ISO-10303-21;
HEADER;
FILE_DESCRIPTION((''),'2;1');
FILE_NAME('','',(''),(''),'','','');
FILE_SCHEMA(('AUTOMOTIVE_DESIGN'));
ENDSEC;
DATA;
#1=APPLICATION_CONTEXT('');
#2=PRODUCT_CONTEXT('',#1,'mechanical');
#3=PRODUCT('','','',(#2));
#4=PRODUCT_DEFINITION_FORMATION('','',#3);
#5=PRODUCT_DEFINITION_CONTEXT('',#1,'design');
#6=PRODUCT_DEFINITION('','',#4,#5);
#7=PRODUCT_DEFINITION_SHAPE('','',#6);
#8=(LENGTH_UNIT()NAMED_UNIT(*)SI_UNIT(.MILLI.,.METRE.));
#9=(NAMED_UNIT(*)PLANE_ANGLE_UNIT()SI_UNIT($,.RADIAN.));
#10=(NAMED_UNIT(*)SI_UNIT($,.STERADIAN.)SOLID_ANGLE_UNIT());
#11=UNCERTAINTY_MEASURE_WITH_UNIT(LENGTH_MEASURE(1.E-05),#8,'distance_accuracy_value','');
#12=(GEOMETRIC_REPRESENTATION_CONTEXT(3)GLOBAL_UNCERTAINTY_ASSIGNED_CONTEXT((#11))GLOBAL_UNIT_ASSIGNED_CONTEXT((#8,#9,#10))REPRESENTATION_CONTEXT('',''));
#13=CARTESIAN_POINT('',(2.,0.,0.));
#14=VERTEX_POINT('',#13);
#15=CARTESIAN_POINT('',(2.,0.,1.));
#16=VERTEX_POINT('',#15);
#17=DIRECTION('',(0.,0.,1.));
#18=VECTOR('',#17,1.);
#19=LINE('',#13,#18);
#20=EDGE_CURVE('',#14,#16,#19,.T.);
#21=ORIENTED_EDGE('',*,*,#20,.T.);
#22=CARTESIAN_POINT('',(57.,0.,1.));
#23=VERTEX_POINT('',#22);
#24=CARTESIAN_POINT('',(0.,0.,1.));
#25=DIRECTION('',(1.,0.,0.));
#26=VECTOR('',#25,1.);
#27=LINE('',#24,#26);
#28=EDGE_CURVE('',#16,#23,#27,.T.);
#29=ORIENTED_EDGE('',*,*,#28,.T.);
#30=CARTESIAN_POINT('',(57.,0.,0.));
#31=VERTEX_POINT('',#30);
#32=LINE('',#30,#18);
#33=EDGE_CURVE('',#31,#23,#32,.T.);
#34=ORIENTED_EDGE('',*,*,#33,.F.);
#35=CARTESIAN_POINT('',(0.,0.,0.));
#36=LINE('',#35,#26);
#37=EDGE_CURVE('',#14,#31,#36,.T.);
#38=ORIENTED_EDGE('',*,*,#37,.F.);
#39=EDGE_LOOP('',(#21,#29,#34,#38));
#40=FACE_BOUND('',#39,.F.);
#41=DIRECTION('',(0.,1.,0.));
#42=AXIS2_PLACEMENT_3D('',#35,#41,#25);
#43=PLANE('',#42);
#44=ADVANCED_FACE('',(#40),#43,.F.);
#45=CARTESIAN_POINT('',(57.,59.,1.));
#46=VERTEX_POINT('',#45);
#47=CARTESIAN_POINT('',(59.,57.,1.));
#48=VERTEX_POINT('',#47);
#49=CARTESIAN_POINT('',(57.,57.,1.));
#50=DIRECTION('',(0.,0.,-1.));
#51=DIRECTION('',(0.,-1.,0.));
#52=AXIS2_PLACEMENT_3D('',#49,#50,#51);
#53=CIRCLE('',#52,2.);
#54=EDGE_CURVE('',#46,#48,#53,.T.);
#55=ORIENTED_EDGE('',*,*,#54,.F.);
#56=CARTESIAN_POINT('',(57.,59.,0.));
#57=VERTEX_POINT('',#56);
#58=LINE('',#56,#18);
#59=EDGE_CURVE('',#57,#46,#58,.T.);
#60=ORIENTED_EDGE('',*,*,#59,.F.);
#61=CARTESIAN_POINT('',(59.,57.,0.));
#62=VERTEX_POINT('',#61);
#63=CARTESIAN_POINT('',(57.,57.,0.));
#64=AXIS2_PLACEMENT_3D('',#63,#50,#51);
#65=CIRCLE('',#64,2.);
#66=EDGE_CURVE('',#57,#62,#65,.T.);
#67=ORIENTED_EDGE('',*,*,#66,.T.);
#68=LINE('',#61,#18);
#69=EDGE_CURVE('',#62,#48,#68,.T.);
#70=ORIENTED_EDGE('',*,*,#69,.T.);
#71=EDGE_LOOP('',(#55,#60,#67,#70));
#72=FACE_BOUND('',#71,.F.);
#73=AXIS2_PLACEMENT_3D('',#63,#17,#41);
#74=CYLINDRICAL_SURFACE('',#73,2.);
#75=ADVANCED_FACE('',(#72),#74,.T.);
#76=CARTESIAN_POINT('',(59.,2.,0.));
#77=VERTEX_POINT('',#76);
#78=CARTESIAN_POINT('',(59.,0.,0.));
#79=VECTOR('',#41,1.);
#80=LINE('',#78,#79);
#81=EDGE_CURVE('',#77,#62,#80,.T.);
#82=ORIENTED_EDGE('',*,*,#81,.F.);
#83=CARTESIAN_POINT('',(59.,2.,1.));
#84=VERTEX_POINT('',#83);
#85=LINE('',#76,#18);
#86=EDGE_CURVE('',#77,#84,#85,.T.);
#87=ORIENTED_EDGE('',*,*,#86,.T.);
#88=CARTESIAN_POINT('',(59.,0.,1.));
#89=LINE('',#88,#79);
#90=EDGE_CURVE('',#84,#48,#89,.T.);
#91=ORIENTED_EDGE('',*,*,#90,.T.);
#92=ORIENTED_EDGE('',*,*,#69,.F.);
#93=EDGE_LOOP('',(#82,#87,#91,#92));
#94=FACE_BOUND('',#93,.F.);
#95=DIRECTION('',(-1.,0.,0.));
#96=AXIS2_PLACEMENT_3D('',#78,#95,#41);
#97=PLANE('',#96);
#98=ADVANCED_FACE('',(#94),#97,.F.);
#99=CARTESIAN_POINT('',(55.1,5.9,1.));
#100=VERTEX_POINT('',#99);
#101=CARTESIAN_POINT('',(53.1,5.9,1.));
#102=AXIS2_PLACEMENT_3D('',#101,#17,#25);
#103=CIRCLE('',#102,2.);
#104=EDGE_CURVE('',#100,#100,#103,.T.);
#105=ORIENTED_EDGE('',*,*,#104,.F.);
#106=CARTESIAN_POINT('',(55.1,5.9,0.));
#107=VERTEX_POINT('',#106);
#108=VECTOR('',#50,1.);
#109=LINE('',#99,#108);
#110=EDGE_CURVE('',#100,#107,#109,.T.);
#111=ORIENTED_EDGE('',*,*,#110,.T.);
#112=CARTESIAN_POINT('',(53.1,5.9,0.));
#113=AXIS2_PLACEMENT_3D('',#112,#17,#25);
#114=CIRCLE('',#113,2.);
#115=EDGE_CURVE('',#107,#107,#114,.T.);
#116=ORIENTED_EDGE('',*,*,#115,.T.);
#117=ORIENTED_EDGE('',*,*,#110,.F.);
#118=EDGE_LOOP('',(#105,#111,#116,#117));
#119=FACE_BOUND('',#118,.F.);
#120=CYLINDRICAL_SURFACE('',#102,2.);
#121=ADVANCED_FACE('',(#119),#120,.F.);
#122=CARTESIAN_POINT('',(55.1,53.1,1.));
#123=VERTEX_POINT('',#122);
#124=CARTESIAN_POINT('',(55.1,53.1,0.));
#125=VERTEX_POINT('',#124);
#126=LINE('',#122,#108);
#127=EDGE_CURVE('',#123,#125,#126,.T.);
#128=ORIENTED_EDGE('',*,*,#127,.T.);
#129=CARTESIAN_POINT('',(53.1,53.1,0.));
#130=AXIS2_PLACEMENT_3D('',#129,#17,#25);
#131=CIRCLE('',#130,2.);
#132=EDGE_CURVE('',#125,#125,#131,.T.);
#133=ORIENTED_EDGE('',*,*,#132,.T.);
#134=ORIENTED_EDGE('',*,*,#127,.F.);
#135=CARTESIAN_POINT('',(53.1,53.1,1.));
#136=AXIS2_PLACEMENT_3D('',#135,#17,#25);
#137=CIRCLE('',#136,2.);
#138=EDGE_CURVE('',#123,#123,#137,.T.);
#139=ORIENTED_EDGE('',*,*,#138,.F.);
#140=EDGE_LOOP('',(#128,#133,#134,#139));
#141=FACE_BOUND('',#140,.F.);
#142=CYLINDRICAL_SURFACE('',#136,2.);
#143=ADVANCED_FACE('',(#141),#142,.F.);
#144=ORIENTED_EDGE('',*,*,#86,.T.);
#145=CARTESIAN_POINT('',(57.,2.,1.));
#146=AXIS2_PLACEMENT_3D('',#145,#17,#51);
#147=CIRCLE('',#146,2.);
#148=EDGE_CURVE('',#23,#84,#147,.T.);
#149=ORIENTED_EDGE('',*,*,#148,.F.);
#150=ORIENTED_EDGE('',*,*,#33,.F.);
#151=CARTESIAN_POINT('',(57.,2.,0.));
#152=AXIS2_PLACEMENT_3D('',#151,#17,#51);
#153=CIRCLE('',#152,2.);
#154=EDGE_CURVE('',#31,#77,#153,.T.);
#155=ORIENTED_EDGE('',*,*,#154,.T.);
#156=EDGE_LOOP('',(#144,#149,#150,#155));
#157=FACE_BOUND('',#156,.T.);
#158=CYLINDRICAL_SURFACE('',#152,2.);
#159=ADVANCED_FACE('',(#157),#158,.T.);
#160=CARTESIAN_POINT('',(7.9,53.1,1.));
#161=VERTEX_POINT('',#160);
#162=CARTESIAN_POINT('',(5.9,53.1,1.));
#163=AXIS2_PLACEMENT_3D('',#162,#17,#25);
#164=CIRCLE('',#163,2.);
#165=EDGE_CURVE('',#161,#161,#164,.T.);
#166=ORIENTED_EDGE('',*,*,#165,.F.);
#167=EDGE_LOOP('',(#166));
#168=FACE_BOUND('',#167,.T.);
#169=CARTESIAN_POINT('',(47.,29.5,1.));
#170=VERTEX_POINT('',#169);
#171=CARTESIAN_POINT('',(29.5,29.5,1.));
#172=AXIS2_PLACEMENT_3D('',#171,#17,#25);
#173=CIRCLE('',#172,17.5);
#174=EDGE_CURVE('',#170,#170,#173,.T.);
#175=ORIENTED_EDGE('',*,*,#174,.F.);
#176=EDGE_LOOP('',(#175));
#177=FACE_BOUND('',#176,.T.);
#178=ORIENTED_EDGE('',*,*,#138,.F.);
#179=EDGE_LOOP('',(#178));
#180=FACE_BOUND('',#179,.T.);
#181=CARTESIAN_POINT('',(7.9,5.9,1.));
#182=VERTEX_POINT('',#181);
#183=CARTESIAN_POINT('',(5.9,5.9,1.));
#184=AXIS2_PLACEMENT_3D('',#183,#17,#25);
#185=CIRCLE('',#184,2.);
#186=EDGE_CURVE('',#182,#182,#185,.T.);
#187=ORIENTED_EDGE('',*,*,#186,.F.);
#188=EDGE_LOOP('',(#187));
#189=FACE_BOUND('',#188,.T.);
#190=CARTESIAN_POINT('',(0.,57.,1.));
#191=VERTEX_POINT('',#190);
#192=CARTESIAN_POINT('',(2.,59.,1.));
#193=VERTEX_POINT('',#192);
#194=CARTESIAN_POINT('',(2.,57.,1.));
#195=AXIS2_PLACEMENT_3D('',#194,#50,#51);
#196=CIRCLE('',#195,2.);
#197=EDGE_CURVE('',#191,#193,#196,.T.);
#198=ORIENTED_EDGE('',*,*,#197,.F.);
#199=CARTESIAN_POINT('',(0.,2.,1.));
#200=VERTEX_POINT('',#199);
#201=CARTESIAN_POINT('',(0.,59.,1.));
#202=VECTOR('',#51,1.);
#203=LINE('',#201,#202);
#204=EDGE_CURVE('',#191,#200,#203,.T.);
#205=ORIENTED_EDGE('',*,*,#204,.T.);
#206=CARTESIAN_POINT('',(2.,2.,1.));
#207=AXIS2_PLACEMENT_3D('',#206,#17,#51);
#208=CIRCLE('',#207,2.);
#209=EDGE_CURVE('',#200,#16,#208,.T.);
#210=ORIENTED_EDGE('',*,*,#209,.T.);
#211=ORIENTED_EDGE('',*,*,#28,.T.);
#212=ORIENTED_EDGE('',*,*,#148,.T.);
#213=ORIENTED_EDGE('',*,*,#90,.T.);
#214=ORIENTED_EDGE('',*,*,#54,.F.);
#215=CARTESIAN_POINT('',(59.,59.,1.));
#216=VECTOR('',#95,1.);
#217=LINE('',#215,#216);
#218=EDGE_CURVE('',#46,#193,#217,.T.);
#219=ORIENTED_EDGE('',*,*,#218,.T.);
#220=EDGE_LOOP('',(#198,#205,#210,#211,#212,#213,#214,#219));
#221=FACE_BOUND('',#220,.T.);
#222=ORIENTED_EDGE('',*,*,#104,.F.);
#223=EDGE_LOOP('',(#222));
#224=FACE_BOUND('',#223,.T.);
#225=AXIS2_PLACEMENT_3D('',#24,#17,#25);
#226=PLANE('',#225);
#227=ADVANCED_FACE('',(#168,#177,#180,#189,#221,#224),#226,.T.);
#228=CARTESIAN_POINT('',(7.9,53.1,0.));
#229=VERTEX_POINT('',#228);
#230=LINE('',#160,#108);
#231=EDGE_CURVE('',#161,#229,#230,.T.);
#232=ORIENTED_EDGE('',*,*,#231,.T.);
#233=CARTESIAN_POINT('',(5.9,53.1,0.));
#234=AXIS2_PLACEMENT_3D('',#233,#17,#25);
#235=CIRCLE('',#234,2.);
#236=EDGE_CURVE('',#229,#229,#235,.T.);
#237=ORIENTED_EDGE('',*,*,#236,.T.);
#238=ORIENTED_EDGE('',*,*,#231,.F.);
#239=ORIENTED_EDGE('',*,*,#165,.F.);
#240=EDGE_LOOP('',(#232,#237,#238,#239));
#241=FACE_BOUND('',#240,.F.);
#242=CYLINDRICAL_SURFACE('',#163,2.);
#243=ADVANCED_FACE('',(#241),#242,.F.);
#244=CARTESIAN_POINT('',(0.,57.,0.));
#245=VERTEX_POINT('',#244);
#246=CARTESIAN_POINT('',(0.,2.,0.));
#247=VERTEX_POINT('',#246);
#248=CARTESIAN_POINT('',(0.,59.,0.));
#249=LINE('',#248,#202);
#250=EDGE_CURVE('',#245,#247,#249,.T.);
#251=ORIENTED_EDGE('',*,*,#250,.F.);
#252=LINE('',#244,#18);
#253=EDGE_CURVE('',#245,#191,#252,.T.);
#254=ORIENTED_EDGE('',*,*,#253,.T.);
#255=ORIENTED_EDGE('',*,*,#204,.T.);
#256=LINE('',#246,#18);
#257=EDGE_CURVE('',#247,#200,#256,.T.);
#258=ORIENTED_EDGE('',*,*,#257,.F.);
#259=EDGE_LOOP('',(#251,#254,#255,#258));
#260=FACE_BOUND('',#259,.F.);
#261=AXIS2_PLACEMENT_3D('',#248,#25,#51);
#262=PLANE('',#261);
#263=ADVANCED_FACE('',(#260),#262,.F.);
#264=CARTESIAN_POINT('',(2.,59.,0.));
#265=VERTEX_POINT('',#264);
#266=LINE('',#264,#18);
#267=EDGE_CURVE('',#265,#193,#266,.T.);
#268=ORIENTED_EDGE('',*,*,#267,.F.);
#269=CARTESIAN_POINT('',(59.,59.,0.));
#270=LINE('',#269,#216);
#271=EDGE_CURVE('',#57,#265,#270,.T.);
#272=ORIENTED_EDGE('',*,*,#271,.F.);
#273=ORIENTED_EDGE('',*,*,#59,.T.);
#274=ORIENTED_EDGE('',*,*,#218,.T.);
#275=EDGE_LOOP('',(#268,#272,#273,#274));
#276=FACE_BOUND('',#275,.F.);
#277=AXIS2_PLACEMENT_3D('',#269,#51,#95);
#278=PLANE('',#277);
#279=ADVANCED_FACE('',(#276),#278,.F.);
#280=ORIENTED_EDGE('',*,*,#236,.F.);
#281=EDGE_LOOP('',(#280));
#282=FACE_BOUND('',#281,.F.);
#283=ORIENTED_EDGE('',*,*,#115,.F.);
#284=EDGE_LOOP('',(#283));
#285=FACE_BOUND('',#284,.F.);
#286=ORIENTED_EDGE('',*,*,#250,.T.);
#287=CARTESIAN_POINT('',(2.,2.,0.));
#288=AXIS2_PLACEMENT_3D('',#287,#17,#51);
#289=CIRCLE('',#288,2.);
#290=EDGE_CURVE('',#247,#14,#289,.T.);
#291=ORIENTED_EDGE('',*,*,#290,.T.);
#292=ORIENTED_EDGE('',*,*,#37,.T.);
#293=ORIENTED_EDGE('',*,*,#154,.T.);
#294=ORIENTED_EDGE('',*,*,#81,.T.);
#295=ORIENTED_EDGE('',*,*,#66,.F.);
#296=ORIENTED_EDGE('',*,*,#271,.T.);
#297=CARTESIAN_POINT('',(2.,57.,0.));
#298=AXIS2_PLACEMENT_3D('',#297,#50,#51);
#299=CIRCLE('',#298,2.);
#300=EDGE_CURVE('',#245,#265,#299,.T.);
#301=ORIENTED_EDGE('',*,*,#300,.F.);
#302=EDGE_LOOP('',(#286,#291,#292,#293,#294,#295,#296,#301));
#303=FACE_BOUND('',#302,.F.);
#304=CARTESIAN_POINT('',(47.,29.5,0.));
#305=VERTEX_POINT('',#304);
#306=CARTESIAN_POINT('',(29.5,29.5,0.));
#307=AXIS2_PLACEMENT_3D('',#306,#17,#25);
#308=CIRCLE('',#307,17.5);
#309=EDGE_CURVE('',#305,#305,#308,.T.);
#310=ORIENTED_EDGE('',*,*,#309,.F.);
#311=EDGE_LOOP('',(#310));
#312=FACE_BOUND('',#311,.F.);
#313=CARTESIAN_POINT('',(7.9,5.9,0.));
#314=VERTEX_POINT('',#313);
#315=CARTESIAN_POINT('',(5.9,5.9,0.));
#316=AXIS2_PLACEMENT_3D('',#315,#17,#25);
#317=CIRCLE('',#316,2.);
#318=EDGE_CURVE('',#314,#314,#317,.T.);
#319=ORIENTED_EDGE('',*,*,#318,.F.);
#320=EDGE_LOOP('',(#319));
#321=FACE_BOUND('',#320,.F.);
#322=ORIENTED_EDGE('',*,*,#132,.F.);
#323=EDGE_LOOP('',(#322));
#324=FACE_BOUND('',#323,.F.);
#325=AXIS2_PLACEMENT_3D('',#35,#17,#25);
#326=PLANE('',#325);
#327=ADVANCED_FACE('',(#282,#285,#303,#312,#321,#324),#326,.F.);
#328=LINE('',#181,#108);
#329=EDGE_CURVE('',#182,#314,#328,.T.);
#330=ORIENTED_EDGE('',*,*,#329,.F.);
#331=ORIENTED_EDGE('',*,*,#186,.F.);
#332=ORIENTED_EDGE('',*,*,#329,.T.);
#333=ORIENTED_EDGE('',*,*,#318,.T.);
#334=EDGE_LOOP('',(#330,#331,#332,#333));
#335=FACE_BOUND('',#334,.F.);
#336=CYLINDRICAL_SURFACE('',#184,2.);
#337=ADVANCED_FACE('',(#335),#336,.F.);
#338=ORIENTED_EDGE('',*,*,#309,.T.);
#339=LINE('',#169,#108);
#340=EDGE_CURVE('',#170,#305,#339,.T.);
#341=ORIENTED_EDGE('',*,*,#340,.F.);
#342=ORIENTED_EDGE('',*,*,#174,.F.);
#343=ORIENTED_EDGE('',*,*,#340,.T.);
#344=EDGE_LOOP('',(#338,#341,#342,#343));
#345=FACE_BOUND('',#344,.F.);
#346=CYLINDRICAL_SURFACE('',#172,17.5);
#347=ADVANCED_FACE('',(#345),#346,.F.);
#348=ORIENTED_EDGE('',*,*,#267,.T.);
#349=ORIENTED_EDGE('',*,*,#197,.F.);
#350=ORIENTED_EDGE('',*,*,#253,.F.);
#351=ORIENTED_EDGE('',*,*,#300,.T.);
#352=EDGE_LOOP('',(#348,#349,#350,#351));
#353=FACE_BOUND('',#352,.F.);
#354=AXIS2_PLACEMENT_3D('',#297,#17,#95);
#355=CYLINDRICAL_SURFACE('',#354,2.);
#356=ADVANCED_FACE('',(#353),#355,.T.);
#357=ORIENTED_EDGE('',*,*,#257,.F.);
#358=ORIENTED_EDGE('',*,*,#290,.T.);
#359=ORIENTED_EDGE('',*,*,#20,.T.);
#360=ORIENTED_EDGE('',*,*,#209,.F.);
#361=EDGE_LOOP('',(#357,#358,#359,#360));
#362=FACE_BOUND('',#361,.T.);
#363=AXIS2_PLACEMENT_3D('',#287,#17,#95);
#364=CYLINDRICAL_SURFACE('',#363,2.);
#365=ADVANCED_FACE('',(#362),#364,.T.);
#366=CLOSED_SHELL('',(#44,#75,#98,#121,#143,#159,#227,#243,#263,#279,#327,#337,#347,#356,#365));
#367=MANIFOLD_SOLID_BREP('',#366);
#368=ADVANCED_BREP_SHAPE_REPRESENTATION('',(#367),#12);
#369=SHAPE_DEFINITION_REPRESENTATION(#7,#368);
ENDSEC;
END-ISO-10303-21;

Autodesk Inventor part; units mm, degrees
ref_plane "YZ Plane" through (0, 0, 0) normal (1, 0, 0) x (0, 1, 0)
ref_plane "XZ Plane" through (0, 0, 0) normal (0, 1, 0) x (-1, 0, 0)
ref_plane "XY Plane" through (0, 0, 0) normal (0, 0, 1) x (1, 0, 0)
sketch "Sketch1" plane through (0, 0, 0) normal (0, 0, 1) x (1, 0, 0)
  line L0 (0, 0) -> (59, 0)
  line L1 (59, 0) -> (59, 59)
  line L2 (59, 59) -> (0, 59)
  line L3 (0, 59) -> (0, 0)
  dimension "d0" = 59
  dimension "d1" = 59
extrude "Extrusion1" add sketch "Sketch1" along normal blind 1
sketch "Sketch2" plane through (0, 0, 1) normal (0, 0, 1) x (1, 0, 0)
  circle A0 centre (29.5, 29.5) radius 17.5
  line L0 (59, 59) -> (0, 59) projected
  line L1 (0, 59) -> (0, 0) projected
  point P0 (29.5, 59)
  point P1 (0, 29.5)
  dimension "d4" = 35
extrude "Extrusion2" cut sketch "Sketch2" against normal through all
sketch "Sketch3" plane through (0, 0, 1) normal (0, 0, 1) x (1, 0, 0)
  line L0 (5.9, 5.9) -> (53.1, 5.9) construction
  line L1 (53.1, 5.9) -> (53.1, 53.1) construction
  line L2 (53.1, 53.1) -> (5.9, 53.1) construction
  line L3 (5.9, 53.1) -> (5.9, 5.9) construction
  line L4 (59, 59) -> (0, 59) construction
  line L5 (0, 59) -> (0, 0) construction
  circle A0 centre (5.9, 53.1) radius 2
  circle A1 centre (53.1, 53.1) radius 2
  circle A2 centre (53.1, 5.9) radius 2
  circle A3 centre (5.9, 5.9) radius 2
  point P0 (29.5, 53.1)
  point P1 (29.5, 59)
  point P2 (53.1, 29.5)
  point P3 (0, 29.5)
  dimension "d7" = 47.2
  dimension "d8" = 47.2
  dimension "d9" = 4
  dimension "d10" = 4
  dimension "d11" = 4
  dimension "d12" = 4
extrude "Extrusion3" cut sketch "Sketch3" against normal through all
fillet "Fillet1" radius 2 4 edges at (0, 59, 0.5) (59, 59, 0.5) (59, 0, 0.5) (0, 0, 0.5)
properties material "Aluminum 6061"
